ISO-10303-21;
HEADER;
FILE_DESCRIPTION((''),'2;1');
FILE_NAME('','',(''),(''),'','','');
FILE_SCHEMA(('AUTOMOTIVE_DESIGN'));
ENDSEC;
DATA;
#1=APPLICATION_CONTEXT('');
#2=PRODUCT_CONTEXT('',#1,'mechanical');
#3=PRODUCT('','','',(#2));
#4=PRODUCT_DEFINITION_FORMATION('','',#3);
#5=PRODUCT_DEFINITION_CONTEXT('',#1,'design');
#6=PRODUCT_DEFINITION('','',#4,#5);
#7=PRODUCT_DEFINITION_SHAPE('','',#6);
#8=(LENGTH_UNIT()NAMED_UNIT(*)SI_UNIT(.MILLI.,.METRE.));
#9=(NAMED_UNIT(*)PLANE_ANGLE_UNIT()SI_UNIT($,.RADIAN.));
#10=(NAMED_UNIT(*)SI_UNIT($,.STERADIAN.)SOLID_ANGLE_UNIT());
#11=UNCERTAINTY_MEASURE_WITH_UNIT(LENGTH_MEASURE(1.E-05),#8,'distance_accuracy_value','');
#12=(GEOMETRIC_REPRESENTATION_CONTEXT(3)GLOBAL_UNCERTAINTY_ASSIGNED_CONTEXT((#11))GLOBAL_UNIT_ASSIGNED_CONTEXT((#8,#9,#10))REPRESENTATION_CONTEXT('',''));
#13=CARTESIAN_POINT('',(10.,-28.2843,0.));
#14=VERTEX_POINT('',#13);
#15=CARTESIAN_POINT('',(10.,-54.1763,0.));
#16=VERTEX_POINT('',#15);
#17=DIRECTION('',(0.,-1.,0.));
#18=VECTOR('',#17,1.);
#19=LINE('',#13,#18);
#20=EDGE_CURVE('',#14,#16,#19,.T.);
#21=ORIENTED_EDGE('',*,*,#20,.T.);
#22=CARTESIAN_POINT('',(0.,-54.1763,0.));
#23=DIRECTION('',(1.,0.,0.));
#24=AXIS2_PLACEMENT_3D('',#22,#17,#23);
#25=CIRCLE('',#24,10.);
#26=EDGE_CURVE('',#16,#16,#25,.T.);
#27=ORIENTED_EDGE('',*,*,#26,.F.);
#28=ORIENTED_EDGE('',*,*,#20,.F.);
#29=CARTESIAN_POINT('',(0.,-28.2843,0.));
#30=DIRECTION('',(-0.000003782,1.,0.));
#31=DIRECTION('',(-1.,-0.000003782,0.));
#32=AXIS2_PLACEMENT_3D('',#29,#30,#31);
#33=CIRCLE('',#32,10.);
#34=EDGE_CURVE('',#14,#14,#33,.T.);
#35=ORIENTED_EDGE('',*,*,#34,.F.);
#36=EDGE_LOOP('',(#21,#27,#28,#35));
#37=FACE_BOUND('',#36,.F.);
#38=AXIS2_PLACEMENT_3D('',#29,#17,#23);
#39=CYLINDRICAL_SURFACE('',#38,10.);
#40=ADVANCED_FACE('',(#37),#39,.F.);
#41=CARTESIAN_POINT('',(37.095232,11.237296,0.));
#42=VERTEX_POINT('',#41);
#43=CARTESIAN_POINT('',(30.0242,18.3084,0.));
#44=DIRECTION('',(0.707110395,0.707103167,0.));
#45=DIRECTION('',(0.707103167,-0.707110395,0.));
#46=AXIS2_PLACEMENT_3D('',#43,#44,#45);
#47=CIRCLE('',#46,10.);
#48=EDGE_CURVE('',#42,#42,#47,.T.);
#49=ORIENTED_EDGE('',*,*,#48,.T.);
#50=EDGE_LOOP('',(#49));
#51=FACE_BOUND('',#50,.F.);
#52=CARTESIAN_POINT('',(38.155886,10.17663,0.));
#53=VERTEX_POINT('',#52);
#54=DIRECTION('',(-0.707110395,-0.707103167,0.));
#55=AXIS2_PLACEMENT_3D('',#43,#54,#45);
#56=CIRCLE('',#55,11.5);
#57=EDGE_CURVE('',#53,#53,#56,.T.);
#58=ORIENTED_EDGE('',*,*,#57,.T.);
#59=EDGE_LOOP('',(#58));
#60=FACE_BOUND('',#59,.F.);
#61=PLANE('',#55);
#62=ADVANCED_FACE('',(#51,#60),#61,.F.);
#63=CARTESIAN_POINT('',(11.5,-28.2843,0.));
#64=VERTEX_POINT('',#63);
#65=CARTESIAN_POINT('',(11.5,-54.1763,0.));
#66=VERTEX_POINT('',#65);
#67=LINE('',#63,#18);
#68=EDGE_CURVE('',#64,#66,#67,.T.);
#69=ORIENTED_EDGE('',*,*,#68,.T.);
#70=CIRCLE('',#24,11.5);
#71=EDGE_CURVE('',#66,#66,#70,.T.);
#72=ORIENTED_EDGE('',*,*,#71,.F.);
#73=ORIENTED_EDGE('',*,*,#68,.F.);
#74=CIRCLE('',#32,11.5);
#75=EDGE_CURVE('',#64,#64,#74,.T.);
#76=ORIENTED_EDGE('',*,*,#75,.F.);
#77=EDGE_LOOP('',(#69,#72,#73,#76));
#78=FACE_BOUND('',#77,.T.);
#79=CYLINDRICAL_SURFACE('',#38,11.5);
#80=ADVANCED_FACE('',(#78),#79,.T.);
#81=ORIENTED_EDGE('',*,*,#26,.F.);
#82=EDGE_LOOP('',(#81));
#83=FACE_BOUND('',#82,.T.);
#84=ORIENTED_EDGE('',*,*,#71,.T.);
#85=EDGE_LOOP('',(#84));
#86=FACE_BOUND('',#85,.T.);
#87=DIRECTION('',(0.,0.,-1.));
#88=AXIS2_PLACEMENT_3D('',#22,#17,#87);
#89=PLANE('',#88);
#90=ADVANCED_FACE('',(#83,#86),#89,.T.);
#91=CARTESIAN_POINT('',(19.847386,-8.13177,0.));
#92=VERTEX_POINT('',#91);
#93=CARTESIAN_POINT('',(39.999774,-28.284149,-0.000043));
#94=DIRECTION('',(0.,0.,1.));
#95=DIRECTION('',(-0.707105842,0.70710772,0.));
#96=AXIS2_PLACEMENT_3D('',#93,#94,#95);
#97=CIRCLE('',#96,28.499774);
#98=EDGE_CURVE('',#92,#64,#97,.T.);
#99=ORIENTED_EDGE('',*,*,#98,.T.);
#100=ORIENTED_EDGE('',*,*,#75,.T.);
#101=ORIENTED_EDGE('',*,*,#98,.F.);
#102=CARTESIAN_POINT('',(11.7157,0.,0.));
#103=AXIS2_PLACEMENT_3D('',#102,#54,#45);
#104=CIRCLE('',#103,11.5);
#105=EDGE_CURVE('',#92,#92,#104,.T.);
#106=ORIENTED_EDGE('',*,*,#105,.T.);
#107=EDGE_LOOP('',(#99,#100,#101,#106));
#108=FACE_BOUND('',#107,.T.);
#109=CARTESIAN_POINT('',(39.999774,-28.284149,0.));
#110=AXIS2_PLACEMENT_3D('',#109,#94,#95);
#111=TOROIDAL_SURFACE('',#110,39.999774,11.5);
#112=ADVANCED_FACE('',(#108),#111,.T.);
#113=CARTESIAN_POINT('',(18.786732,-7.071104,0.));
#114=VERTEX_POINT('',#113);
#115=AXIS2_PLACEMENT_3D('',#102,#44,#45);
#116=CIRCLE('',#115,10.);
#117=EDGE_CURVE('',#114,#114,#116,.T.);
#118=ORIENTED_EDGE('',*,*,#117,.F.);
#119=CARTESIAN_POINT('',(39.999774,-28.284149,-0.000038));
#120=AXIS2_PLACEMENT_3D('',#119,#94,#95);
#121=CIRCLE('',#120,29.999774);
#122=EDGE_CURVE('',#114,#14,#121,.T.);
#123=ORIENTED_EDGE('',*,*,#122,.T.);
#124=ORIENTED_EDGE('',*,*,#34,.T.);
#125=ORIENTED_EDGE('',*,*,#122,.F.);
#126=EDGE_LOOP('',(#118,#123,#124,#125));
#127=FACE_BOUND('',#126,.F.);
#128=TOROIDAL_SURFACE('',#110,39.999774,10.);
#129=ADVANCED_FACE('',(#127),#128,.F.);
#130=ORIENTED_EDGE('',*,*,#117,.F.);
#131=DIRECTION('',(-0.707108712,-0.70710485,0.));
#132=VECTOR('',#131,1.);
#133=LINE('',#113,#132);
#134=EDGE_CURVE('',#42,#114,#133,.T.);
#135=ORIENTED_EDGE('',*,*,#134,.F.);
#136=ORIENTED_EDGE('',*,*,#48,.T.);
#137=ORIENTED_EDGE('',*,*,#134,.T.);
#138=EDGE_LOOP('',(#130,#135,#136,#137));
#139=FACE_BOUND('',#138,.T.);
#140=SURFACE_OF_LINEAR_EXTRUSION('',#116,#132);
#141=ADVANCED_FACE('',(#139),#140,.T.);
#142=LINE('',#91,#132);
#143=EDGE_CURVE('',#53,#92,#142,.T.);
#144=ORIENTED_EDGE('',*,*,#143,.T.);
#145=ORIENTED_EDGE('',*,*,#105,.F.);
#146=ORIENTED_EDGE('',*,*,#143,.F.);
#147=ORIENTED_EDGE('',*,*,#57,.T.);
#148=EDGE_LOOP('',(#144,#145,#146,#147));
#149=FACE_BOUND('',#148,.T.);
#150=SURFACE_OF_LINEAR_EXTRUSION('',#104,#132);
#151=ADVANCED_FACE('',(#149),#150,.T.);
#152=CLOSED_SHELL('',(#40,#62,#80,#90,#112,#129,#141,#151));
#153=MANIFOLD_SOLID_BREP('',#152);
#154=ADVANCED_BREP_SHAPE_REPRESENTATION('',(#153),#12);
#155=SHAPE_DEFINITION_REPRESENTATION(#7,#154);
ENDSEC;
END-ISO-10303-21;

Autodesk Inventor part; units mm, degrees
ref_plane "YZ Plane" through (0, 0, 0) normal (1, 0, 0) x (0, 1, 0)
ref_plane "XZ Plane" through (0, 0, 0) normal (0, 1, 0) x (-1, 0, 0)
sketch "Szkic6" plane through (0, 0, 0) normal (0, 0, 1) x (1, 0, 0)
  line L0 (-29.6067, 0) -> (35.2678, 0) construction
  line L1 (0, 42.3419) -> (0, -58.3726) construction
  arc A0 (11.7157, 0) -> (0, -28.2843) centre (40, -28.2843) ccw
  line L2 (0, -28.2843) -> (40, -28.2843) construction
  line L3 (40, -28.2843) -> (-6.3389, 18.0546) construction
  line L4 (11.7157, 0) -> (30.0242, 18.3084)
  line L5 (0, -28.2843) -> (0, -54.1763)
  point P0 (0, 0)
  dimension "d24" = 40
  dimension "d31" = 45
  dimension "d36" = 25.892
  dimension "d37" = 25.892
ref_plane "Płaszczyzna konstrukcyjna2" through (0, -28.2843, 0) normal (0, -1, 0) x (1, 0, 0)
sketch "Szkic8" plane through (0, -28.2843, 0) normal (0, -1, 0) x (1, 0, 0)
  circle A0 centre (0, 0) radius 11.5
  circle A1 centre (0, 0) radius 10
  dimension "d32" = 23
  dimension "d33" = 1.5
sweep "Przeciągnięcie2" add profiles "Szkic8" path "Szkic6"
equation "\"d32\" = OD"
equation "\"d33\" = THK"
equation "\"d24\" = R"
equation "\"d31\" = KAT"
equation "\"d36\" = PROSTKA"
equation "\"d37\" = PROSTKA"
equation "\"SzerokośćGięciaPodcięcia\" = Grubość"
equation "\"RozmiarPodcięciaNarożnika\" = 4 * Grubość"
equation "\"PromieńPrzejścia\" = PromieńGięcia"
equation "\"Rozmiar_promienia_Jacobiego\" = PromieńGięcia"
equation "\"Wielk_odstępu\" = Grubość"
equation "\"d2\" = PromieńGięcia"
equation "\"d23\" = PromieńGięcia"
equation "\"R\" = 40"
equation "\"OD\" = 23"
equation "\"THK\" = 1.5"
equation "\"KAT\" = 45deg"
equation "\"PROSTKA\" = 25.89204"
equation "\"Grubość\" = 1.5"
equation "\"PromieńGięcia\" = 3"
properties part number "Kolano 45° ø23x1,5 R40" material "304L"
